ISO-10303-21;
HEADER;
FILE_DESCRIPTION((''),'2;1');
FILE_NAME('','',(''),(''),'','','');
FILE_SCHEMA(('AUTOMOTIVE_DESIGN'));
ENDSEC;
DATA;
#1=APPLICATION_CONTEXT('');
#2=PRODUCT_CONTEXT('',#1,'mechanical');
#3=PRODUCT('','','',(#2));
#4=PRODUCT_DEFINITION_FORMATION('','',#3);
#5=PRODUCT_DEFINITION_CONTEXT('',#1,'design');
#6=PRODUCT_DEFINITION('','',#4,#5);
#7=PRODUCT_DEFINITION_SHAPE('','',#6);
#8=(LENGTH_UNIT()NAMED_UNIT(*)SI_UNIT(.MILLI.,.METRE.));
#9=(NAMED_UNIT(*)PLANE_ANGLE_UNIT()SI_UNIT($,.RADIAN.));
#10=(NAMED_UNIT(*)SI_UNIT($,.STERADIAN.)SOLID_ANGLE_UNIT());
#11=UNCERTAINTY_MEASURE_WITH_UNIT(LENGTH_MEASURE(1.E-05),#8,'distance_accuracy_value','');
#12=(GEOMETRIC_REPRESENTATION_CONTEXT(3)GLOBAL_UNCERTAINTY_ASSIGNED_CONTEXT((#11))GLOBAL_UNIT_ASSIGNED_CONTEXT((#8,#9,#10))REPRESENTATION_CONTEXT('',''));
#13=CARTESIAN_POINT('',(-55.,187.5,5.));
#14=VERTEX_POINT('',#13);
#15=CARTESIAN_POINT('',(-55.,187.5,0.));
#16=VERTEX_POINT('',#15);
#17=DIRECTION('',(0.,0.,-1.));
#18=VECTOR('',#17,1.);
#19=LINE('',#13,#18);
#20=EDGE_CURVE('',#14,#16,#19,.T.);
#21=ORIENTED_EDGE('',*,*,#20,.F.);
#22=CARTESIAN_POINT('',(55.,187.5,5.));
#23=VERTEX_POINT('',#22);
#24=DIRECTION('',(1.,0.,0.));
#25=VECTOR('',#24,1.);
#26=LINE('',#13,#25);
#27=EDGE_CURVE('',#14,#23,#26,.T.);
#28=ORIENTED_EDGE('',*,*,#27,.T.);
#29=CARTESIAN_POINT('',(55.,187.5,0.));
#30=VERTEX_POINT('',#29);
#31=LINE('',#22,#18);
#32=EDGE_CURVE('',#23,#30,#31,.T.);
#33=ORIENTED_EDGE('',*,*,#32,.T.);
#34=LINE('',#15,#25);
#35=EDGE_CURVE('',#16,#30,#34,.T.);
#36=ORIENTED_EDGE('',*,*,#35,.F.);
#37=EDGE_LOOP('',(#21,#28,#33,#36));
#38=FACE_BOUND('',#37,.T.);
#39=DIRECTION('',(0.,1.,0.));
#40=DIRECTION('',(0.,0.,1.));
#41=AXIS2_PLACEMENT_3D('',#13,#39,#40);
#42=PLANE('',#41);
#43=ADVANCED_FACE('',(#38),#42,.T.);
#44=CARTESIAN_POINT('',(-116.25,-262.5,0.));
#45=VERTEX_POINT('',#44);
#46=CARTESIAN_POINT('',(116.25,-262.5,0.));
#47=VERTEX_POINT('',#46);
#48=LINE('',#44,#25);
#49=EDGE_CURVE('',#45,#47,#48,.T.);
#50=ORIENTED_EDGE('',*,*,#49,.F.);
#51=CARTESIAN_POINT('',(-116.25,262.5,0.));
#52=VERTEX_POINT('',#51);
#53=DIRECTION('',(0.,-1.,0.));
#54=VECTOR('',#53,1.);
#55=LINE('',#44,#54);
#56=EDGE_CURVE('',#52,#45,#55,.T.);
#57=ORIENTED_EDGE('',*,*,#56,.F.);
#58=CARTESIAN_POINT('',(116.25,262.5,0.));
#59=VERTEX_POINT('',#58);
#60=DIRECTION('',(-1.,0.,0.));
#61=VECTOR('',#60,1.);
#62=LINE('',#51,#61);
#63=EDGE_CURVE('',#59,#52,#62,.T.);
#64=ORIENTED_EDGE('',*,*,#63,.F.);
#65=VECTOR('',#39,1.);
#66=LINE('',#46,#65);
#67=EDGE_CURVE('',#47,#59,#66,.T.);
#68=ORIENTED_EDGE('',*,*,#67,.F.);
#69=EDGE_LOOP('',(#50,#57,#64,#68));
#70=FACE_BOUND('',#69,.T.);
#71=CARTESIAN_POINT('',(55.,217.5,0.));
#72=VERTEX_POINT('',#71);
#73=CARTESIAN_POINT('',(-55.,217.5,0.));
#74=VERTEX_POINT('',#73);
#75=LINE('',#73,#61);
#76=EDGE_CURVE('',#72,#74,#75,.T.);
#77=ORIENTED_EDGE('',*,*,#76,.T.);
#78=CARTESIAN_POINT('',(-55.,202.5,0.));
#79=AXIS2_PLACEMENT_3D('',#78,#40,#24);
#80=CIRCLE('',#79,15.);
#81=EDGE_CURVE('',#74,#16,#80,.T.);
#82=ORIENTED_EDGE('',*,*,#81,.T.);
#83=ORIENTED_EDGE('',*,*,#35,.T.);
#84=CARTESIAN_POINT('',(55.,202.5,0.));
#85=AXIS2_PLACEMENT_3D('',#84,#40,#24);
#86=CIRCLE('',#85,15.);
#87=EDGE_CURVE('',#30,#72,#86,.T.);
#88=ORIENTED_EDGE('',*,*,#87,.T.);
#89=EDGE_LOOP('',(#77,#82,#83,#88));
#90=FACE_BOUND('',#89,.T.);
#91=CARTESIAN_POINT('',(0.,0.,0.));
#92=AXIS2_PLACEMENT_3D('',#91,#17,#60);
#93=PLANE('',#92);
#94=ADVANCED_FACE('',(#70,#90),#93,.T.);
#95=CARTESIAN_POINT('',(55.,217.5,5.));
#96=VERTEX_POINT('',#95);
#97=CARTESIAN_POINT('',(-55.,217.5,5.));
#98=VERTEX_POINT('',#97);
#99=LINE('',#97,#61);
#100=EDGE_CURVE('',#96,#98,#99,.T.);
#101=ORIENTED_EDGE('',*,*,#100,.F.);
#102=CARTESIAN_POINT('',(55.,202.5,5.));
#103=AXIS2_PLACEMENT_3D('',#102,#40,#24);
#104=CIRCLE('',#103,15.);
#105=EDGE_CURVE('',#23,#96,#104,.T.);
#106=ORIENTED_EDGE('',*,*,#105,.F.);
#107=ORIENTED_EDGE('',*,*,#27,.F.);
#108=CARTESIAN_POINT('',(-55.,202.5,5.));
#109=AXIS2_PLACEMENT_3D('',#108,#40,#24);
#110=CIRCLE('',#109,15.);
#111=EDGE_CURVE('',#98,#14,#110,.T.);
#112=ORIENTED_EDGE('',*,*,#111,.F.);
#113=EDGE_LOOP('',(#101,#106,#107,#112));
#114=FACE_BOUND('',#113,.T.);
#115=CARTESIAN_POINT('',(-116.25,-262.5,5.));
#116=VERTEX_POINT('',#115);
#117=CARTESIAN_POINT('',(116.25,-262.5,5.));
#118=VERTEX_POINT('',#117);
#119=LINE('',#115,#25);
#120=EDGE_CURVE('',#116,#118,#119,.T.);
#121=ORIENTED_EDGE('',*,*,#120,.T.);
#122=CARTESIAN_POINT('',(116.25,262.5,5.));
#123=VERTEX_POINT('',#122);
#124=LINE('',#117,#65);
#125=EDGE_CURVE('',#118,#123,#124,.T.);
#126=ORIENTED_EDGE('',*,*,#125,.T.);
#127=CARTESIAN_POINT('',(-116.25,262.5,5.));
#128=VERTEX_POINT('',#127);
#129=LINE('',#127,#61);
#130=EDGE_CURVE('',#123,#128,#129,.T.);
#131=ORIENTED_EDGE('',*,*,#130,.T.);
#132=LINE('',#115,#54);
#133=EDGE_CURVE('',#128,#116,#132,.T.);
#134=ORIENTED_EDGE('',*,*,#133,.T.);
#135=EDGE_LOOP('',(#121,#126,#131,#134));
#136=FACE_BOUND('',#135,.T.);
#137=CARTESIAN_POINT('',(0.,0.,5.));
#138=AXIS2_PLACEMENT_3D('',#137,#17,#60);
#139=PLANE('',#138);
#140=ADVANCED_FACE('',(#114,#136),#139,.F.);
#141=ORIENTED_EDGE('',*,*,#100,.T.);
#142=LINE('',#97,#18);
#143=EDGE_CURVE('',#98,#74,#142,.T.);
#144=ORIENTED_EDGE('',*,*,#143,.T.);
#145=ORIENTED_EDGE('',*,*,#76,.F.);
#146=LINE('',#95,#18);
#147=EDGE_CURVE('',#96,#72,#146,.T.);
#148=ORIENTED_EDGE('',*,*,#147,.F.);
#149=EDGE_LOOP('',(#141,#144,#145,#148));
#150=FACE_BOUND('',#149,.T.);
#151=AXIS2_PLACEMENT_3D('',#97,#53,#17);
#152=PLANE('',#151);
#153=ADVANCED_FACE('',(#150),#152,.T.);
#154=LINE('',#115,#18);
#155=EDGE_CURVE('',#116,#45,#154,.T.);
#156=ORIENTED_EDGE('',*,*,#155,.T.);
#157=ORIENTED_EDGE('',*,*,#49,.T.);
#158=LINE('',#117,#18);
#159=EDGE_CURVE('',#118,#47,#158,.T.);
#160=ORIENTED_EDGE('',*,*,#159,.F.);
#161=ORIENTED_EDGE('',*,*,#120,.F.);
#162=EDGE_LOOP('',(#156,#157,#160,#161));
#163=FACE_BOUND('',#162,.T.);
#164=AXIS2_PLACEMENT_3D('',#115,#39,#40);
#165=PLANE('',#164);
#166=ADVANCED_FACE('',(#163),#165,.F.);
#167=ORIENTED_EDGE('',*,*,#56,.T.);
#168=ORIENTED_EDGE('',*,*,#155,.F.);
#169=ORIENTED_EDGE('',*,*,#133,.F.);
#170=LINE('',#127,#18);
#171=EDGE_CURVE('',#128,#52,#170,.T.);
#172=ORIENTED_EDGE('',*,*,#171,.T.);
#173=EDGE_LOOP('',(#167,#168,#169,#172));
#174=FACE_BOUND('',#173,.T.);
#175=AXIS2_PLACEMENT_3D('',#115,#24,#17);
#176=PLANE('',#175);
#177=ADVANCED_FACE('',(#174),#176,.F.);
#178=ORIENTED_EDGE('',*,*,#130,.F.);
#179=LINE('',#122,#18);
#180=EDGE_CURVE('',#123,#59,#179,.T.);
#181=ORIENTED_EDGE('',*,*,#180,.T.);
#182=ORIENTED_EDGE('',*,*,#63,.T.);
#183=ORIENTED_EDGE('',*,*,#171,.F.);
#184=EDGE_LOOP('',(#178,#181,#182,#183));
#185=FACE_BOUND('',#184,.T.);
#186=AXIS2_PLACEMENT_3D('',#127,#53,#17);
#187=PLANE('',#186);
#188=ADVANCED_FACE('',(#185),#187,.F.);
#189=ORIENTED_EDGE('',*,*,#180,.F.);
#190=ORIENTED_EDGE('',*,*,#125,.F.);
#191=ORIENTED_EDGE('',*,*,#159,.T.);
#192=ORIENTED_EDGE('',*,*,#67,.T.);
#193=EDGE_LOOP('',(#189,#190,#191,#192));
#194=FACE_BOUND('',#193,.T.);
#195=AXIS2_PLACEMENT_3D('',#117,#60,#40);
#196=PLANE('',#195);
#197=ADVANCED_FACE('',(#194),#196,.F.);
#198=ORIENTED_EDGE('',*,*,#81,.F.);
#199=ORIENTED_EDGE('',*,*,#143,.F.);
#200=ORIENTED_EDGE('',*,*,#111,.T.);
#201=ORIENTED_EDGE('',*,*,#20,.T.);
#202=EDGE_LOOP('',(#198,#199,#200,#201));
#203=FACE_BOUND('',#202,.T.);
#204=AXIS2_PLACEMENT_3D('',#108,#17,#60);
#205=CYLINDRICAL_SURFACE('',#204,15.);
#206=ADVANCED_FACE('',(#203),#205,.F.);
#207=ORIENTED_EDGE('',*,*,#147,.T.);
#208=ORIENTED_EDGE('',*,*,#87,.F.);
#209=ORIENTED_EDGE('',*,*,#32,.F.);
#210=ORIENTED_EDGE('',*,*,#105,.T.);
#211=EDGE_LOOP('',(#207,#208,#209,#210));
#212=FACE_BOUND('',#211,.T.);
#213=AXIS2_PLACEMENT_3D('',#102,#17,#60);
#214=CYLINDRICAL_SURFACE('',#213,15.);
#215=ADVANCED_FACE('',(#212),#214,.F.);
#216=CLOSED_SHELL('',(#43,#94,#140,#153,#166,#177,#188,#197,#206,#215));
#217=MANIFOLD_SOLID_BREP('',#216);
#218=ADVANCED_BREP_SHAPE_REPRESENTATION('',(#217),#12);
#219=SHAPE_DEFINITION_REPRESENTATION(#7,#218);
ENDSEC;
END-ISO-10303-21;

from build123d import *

# Parameters (mm, degrees)
SKETCH_1_W      = 232.5
SKETCH_1_H      = 525
EXTRUDE_1_DEPTH = 5


with BuildPart() as part:
    # 草图1 → 凸台-拉伸1 (new body)
    with BuildSketch(Plane.XY):
        Rectangle(SKETCH_1_W, SKETCH_1_H)
        with BuildLine():
            Line((-55, 217.5), (55, 217.5))
            ThreePointArc((55, 217.5), (70, 202.5), (55, 187.5))
            Line((55, 187.5), (-55, 187.5))
            ThreePointArc((-55, 187.5), (-70, 202.5), (-55, 217.5))
        make_face(mode=Mode.SUBTRACT)
    extrude(amount=EXTRUDE_1_DEPTH)


solid = part.part
